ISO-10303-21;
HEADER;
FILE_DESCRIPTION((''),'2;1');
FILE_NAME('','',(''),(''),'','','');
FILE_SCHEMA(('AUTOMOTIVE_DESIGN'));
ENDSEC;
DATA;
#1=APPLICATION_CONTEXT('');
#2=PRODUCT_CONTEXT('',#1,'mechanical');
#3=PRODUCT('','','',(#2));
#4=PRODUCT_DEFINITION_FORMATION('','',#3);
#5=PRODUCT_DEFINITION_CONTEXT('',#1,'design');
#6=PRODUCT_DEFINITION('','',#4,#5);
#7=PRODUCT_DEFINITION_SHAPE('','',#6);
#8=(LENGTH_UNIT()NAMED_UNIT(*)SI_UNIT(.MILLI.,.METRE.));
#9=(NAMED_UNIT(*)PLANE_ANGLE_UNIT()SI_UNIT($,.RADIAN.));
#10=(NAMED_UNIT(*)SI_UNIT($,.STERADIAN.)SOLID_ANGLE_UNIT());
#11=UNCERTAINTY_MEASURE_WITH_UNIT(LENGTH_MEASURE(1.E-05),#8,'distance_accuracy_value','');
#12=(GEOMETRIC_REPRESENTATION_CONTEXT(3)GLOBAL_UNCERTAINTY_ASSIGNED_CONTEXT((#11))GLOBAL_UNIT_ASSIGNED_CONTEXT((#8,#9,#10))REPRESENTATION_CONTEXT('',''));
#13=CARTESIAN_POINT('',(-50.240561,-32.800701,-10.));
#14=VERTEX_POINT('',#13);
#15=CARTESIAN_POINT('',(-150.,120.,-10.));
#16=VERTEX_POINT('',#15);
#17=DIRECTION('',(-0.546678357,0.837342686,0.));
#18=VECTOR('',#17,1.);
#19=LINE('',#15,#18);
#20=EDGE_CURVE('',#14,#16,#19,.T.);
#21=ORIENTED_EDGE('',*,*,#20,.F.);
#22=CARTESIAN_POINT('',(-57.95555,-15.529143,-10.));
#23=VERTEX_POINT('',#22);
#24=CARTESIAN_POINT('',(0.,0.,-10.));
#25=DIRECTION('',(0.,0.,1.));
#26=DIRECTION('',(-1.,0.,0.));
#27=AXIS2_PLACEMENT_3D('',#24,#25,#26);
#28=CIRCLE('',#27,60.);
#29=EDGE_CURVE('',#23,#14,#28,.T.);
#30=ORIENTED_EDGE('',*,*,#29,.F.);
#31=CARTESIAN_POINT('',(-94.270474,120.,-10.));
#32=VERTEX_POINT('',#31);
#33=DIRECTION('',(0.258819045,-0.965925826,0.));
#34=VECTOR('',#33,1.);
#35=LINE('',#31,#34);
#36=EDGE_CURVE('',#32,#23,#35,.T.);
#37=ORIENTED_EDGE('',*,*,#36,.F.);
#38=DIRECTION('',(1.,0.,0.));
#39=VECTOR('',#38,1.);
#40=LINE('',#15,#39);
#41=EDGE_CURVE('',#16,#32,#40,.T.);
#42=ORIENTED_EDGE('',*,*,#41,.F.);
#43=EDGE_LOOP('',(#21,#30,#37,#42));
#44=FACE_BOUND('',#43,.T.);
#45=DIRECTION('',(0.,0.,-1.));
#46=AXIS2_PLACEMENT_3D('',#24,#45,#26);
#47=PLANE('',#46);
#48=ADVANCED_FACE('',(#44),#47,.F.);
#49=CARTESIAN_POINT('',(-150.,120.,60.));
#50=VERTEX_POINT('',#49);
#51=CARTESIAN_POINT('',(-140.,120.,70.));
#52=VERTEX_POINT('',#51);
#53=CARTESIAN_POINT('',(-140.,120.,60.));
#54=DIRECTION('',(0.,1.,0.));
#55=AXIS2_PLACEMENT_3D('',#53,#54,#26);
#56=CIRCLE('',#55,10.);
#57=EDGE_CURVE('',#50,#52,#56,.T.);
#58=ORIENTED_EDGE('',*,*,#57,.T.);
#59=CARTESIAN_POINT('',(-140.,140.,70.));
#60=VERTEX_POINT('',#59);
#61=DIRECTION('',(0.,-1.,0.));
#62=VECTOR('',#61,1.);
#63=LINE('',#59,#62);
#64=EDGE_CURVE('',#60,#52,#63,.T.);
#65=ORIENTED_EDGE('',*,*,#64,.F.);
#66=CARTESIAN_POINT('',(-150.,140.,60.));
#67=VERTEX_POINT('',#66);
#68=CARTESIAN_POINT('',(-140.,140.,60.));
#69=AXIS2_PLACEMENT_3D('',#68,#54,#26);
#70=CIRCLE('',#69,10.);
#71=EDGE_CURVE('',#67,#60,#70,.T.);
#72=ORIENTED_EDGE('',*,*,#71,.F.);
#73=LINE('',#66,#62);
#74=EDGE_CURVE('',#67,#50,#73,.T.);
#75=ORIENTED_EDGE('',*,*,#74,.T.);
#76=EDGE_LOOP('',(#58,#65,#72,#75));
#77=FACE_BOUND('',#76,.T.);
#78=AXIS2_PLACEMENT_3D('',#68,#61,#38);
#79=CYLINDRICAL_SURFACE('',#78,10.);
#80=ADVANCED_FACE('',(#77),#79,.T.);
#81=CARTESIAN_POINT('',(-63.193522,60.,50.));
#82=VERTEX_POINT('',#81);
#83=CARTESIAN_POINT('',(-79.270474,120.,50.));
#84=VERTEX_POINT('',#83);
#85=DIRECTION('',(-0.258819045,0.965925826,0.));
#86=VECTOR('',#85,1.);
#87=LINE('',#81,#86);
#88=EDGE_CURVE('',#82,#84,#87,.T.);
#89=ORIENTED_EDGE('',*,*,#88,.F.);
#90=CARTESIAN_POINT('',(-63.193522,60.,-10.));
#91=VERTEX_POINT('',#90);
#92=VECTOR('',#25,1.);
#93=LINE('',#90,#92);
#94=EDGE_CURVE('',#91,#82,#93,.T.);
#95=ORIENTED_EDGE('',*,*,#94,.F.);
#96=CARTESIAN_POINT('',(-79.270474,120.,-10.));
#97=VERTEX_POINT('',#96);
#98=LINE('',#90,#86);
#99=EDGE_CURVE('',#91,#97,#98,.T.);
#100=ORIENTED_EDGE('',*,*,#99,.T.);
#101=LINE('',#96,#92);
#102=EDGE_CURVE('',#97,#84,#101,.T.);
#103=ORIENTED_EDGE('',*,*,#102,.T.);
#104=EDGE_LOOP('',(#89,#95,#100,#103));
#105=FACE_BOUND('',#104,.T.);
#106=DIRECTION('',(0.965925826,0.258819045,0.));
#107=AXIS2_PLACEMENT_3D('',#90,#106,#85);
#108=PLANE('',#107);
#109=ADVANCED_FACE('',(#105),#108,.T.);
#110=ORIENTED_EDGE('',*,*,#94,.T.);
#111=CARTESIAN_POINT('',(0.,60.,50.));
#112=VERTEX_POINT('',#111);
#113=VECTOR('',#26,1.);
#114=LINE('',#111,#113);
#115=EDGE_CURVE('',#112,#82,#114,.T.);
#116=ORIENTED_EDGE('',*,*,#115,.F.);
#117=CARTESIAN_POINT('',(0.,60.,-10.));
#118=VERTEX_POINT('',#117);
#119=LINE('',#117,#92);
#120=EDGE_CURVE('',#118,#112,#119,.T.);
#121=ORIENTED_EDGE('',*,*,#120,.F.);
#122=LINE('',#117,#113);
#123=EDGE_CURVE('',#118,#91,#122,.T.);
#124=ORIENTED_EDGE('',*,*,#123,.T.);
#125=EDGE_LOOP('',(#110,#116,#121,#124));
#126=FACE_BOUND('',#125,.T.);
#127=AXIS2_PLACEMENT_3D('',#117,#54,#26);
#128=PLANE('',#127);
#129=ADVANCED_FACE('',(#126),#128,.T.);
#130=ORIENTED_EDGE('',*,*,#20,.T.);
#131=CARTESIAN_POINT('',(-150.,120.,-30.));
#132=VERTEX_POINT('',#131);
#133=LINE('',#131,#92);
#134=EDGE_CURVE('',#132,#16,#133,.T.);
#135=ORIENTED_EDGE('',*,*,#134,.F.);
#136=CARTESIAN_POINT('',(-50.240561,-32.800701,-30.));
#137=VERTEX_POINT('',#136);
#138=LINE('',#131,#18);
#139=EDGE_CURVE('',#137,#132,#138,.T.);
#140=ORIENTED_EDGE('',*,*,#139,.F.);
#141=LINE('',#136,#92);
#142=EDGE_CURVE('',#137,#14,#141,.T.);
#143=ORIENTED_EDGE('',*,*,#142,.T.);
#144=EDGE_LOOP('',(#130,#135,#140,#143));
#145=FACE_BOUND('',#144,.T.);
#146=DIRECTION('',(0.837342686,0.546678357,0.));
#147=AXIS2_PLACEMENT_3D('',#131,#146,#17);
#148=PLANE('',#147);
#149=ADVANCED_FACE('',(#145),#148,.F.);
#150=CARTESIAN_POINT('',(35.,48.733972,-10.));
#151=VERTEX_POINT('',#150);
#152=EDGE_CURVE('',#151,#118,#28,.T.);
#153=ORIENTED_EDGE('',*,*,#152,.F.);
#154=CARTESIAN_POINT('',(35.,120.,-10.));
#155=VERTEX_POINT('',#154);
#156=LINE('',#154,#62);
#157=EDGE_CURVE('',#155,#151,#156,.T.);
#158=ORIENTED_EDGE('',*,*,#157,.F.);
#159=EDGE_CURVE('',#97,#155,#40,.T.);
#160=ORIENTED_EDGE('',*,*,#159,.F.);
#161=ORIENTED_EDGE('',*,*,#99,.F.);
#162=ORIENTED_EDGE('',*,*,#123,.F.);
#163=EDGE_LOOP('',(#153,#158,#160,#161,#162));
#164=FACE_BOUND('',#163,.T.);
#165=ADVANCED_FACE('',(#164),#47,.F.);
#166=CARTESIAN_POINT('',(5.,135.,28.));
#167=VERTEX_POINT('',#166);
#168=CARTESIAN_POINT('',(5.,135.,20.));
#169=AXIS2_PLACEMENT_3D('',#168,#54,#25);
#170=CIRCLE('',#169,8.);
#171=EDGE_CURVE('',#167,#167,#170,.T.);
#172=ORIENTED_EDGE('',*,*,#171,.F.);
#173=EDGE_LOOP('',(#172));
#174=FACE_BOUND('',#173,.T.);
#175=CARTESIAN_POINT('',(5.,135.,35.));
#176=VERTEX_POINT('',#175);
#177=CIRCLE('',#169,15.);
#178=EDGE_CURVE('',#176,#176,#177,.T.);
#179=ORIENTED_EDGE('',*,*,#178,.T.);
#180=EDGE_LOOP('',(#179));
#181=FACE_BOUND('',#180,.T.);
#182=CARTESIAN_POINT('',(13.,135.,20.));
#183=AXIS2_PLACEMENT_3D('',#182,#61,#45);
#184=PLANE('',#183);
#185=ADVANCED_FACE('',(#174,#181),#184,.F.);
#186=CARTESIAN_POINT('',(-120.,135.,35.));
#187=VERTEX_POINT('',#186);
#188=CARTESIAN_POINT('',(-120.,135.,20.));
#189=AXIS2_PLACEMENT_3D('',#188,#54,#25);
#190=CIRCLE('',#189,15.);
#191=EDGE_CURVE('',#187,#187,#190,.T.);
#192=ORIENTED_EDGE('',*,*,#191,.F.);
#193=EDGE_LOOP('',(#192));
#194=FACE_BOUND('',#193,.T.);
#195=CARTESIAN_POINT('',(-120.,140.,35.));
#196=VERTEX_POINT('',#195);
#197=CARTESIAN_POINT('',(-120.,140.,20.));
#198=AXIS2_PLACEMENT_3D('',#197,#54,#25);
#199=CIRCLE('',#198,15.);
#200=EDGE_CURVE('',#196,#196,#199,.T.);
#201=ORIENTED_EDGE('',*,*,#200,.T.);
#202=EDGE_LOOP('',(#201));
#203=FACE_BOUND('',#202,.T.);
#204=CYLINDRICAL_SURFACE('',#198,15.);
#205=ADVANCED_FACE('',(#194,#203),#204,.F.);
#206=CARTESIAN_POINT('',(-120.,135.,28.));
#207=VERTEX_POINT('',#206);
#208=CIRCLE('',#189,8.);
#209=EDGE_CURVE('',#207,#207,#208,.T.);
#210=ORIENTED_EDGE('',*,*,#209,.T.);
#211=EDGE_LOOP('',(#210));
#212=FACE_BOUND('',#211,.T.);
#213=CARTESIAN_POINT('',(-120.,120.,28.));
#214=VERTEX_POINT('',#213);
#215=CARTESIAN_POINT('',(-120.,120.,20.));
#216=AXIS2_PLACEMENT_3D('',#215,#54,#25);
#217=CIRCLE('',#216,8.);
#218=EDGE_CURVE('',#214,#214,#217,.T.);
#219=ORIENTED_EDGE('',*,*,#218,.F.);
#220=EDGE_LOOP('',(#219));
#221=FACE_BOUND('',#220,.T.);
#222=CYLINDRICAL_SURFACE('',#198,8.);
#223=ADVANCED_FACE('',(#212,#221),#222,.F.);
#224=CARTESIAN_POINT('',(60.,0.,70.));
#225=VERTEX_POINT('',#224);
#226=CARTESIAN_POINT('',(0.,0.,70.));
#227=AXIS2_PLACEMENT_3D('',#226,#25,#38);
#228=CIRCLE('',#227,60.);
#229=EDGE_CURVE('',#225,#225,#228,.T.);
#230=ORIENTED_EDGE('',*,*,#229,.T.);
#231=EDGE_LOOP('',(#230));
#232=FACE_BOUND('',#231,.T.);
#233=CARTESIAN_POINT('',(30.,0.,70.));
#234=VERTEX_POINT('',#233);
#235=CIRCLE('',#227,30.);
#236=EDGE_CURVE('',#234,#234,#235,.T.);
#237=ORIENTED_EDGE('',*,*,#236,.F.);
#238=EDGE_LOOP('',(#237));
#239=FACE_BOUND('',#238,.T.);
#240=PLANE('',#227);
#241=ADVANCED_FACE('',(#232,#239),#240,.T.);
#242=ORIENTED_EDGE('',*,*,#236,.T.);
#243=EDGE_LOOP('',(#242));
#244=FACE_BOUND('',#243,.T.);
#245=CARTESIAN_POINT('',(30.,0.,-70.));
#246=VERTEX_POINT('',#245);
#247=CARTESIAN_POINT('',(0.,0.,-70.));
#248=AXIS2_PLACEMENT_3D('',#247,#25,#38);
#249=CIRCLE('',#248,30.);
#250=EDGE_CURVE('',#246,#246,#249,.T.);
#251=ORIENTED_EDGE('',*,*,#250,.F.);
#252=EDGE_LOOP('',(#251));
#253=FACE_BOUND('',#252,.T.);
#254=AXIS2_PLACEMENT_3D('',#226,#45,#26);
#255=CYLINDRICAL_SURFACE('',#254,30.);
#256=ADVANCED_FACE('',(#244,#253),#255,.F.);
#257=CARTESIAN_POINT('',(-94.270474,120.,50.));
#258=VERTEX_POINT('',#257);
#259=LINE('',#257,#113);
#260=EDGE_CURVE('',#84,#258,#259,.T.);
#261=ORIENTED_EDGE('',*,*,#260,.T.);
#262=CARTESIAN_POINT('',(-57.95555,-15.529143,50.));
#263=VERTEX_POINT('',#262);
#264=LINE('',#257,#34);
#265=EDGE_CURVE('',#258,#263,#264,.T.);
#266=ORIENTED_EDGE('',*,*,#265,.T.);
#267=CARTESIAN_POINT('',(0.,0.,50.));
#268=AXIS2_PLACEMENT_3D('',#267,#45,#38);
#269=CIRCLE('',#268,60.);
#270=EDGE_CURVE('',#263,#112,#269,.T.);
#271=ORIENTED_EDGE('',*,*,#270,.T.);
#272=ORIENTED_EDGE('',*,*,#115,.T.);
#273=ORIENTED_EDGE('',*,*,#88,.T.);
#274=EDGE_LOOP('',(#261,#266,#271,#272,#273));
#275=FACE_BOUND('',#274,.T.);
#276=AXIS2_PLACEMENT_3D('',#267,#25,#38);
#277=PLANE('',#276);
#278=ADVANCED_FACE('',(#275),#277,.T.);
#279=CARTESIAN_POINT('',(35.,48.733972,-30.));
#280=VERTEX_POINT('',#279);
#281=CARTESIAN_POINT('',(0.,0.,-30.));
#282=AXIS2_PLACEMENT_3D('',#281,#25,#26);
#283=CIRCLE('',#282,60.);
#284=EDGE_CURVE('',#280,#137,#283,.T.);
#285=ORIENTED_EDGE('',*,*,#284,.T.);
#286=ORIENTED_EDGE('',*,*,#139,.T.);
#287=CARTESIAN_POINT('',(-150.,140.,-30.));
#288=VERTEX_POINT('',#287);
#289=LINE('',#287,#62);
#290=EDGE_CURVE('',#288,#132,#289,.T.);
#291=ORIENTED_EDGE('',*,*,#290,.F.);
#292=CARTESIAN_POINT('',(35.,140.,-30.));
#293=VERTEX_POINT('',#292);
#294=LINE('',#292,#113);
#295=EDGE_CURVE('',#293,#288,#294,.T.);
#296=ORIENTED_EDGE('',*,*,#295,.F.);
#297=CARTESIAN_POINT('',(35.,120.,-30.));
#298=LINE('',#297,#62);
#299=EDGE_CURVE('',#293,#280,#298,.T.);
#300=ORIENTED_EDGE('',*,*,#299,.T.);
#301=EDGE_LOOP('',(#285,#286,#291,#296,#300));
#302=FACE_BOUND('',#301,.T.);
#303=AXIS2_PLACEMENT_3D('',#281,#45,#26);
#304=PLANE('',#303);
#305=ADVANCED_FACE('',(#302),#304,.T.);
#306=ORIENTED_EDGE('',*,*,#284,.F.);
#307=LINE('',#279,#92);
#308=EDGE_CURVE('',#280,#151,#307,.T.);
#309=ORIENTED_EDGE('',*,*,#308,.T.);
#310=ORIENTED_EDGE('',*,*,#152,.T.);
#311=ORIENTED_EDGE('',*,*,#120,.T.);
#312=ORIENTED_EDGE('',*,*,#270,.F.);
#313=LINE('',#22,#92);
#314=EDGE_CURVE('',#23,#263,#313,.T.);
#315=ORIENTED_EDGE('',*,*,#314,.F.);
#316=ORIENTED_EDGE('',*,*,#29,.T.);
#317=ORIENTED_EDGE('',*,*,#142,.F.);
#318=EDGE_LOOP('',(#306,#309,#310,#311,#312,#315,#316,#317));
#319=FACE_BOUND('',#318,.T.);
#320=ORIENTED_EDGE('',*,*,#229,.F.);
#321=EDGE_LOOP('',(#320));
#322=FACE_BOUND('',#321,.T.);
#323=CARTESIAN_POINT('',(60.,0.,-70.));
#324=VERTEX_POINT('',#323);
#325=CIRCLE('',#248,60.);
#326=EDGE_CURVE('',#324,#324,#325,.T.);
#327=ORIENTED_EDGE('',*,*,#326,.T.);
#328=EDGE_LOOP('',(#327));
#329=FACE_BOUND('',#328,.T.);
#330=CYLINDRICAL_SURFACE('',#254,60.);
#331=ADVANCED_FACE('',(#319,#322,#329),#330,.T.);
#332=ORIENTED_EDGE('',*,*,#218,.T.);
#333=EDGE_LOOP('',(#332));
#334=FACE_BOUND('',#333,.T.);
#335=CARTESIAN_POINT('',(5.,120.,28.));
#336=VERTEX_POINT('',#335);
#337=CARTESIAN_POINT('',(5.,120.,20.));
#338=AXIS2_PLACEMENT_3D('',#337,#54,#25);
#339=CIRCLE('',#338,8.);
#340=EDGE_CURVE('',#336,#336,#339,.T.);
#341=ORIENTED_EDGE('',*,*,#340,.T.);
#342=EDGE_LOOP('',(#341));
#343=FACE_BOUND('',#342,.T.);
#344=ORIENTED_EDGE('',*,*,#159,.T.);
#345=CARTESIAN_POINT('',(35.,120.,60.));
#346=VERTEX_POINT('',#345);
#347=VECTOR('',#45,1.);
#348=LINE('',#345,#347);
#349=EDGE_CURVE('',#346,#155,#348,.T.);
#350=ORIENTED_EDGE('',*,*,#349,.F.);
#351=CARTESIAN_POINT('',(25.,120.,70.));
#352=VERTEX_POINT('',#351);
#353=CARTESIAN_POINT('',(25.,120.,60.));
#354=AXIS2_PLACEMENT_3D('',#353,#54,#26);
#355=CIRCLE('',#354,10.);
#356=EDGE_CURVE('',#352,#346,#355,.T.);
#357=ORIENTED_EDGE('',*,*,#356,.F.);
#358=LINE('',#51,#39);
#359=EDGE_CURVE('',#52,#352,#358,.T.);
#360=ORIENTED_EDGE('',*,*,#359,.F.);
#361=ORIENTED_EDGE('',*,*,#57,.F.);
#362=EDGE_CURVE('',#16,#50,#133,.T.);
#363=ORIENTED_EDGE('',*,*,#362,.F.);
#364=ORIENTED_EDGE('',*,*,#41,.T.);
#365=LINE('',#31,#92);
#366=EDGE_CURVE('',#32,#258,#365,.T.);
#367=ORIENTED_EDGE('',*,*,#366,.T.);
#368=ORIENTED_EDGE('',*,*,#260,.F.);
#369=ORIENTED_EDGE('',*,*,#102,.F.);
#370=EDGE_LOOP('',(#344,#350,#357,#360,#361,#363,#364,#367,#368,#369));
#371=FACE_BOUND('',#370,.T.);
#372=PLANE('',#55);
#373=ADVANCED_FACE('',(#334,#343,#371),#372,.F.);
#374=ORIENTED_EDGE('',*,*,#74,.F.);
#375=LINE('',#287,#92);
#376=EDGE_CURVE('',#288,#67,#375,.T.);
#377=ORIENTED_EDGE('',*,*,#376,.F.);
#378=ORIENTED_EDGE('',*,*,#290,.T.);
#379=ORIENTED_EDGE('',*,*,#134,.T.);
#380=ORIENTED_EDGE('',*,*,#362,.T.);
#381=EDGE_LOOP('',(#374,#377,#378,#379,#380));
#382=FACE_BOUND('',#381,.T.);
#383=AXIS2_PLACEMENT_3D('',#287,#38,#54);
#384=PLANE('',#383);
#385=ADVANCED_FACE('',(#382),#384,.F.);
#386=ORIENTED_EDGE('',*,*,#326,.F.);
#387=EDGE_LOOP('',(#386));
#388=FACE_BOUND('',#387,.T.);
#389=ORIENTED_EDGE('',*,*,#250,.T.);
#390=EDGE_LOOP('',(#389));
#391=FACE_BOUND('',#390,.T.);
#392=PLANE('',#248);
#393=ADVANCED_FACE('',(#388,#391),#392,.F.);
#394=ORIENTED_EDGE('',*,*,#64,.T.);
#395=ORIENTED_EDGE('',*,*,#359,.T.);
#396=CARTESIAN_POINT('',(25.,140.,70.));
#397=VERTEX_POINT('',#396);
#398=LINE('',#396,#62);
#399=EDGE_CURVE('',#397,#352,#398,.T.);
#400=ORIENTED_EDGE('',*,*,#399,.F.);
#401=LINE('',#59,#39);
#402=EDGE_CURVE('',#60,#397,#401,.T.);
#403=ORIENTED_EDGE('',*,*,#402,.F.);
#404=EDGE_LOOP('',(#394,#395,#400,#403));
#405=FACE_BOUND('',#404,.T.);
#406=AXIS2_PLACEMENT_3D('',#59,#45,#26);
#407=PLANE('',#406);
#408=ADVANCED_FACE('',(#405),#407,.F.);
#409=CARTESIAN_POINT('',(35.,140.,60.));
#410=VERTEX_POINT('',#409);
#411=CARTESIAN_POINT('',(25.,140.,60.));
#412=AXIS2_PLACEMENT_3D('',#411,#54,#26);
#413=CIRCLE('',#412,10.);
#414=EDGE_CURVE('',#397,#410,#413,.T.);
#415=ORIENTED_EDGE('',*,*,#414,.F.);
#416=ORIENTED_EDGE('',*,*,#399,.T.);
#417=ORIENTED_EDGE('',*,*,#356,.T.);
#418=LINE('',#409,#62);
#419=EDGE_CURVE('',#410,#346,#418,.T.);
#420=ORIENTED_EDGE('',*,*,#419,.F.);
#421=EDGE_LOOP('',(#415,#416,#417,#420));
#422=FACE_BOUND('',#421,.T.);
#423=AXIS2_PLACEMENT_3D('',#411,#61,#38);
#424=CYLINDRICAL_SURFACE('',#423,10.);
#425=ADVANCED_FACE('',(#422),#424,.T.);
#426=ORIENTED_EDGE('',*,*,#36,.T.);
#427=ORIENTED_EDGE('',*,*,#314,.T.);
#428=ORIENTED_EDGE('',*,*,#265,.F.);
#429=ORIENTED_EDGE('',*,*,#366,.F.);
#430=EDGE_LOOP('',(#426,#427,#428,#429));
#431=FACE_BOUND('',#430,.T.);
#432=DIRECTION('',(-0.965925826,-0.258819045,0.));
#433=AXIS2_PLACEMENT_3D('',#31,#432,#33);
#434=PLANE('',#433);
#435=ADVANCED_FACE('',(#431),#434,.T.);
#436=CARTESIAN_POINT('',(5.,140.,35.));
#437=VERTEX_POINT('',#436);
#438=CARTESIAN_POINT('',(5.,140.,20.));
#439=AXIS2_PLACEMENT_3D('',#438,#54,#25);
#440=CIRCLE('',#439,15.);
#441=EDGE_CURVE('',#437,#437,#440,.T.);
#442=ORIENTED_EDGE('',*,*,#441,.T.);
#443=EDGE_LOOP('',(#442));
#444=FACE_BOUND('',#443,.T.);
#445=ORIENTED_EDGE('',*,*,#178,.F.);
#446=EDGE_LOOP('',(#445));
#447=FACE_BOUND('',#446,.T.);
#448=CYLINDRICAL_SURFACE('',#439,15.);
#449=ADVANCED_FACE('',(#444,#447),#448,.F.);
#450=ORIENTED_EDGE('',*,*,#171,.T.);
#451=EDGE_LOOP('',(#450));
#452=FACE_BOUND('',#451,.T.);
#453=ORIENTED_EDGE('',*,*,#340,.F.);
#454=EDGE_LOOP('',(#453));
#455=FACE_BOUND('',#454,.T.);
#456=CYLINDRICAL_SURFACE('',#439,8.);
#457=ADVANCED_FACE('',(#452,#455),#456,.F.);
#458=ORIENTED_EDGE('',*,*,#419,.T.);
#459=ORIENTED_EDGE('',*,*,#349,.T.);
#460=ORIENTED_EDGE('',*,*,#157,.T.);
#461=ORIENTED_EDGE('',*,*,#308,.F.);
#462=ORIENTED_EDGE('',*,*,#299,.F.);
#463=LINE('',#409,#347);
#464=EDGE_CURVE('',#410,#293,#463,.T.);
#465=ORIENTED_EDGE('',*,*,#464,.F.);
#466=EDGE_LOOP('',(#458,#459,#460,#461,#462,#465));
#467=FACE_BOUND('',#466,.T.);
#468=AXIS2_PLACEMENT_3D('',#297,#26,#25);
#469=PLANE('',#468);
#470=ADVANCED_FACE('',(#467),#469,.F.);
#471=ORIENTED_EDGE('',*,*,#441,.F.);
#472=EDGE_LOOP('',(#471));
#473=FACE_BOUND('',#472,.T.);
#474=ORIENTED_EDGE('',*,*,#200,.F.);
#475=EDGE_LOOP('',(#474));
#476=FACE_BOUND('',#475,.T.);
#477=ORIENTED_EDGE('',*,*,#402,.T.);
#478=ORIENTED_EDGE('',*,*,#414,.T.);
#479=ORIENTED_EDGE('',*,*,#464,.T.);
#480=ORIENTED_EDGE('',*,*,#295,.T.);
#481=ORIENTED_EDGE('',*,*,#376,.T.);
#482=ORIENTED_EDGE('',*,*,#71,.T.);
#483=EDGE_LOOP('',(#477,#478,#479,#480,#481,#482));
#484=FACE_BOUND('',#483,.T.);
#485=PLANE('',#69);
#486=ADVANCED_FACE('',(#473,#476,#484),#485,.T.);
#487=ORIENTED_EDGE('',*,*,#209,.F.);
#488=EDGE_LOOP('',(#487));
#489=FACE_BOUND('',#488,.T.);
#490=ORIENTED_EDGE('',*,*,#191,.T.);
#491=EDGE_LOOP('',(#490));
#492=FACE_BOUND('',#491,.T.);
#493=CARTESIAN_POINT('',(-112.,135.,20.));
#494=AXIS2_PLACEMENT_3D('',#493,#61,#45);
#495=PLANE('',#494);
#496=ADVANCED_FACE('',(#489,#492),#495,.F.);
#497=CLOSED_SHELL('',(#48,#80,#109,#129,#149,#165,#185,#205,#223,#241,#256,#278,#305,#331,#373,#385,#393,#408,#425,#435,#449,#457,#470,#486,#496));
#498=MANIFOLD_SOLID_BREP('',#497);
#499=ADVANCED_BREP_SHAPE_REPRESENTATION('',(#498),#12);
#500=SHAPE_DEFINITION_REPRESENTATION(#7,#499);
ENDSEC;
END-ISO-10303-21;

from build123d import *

# Parameters (mm, degrees)
SKETCH1_R                                 = 60
SKETCH1_R_2                               = 30
BOSS_EXTRUDE1_DEPTH                       = 70
BOSS_EXTRUDE4_DEPTH                       = 60
BOSS_EXTRUDE5_DEPTH                       = 20
BOSS_EXTRUDE6_DEPTH                       = 20
CBORE_FOR_M12_HEX_HEAD_SCREW1_D           = 16
CBORE_FOR_M12_HEX_HEAD_SCREW1_DEPTH       = 20
CBORE_FOR_M12_HEX_HEAD_SCREW1_CBORE_D     = 30
CBORE_FOR_M12_HEX_HEAD_SCREW1_CBORE_DEPTH = 5
CBORE_FOR_M12_HEX_HEAD_SCREW1_TIP         = 4.806884952


with BuildPart() as part:
    # Sketch1 → Boss-Extrude1 (new body, symmetric)
    with BuildSketch(Plane.XY):
        Circle(SKETCH1_R)
        Circle(SKETCH1_R_2, mode=Mode.SUBTRACT)
    extrude(amount=BOSS_EXTRUDE1_DEPTH, both=True)

    # Sketch4 → Boss-Extrude4 (add)
    with BuildSketch(Plane.XY.offset(50)):
        with BuildLine():
            Line((-94.270473916, 120), (-79.270473916, 120))
            Line((-79.270473916, 120), (-63.19352237, 60))
            Line((-63.19352237, 60), (0, 60))
            ThreePointArc((0, 60), (-47.601200417, 36.525685741), (-57.955549577, -15.529142706))
            Line((-57.955549577, -15.529142706), (-94.270473916, 120))
        make_face()
    extrude(amount=-BOSS_EXTRUDE4_DEPTH)

    # Sketch7 → Boss-Extrude5 (add)
    with BuildSketch(Plane(origin=(0, 0, -10), x_dir=(-1, 0, 0), z_dir=(0, 0, -1))):
        with BuildLine():
            Line((150, 120), (-35, 120))
            Line((-35, 120), (-35, 48.733971724))
            ThreePointArc((-35, 48.733971724), (41.47341809, 43.358454676), (50.240561153, -32.800701441))
            Line((50.240561153, -32.800701441), (150, 120))
        make_face()
    extrude(amount=BOSS_EXTRUDE5_DEPTH)

    # Sketch8 → Boss-Extrude6 (add)
    with BuildSketch(Plane(origin=(0, 120, 0), x_dir=(1, 0, 0), z_dir=(0, 1, 0))):
        with BuildLine():
            Line((-150, 30), (-150, -60))
            ThreePointArc((-150, -60), (-147.071067812, -67.071067812), (-140, -70))
            Line((-140, -70), (25, -70))
            ThreePointArc((25, -70), (32.071067812, -67.071067812), (35, -60))
            Line((35, -60), (35, 30))
            Line((35, 30), (-150, 30))
        make_face()
    extrude(amount=BOSS_EXTRUDE6_DEPTH)

    # CBORE for M12 Hex Head Screw1
    with Locations(Plane(origin=(0, 140, 0), x_dir=(1, 0, 0), z_dir=(0, 1, 0))):
        with Locations((-120, -20), (5, -20)):
            CounterBoreHole(CBORE_FOR_M12_HEX_HEAD_SCREW1_D / 2, CBORE_FOR_M12_HEX_HEAD_SCREW1_CBORE_D / 2, CBORE_FOR_M12_HEX_HEAD_SCREW1_CBORE_DEPTH, depth=CBORE_FOR_M12_HEX_HEAD_SCREW1_DEPTH)
            with Locations((0, 0, -(CBORE_FOR_M12_HEX_HEAD_SCREW1_DEPTH + CBORE_FOR_M12_HEX_HEAD_SCREW1_TIP / 2))):  # 118° drill point
                Cone(0, CBORE_FOR_M12_HEX_HEAD_SCREW1_D / 2, CBORE_FOR_M12_HEX_HEAD_SCREW1_TIP, mode=Mode.SUBTRACT)


solid = part.part
